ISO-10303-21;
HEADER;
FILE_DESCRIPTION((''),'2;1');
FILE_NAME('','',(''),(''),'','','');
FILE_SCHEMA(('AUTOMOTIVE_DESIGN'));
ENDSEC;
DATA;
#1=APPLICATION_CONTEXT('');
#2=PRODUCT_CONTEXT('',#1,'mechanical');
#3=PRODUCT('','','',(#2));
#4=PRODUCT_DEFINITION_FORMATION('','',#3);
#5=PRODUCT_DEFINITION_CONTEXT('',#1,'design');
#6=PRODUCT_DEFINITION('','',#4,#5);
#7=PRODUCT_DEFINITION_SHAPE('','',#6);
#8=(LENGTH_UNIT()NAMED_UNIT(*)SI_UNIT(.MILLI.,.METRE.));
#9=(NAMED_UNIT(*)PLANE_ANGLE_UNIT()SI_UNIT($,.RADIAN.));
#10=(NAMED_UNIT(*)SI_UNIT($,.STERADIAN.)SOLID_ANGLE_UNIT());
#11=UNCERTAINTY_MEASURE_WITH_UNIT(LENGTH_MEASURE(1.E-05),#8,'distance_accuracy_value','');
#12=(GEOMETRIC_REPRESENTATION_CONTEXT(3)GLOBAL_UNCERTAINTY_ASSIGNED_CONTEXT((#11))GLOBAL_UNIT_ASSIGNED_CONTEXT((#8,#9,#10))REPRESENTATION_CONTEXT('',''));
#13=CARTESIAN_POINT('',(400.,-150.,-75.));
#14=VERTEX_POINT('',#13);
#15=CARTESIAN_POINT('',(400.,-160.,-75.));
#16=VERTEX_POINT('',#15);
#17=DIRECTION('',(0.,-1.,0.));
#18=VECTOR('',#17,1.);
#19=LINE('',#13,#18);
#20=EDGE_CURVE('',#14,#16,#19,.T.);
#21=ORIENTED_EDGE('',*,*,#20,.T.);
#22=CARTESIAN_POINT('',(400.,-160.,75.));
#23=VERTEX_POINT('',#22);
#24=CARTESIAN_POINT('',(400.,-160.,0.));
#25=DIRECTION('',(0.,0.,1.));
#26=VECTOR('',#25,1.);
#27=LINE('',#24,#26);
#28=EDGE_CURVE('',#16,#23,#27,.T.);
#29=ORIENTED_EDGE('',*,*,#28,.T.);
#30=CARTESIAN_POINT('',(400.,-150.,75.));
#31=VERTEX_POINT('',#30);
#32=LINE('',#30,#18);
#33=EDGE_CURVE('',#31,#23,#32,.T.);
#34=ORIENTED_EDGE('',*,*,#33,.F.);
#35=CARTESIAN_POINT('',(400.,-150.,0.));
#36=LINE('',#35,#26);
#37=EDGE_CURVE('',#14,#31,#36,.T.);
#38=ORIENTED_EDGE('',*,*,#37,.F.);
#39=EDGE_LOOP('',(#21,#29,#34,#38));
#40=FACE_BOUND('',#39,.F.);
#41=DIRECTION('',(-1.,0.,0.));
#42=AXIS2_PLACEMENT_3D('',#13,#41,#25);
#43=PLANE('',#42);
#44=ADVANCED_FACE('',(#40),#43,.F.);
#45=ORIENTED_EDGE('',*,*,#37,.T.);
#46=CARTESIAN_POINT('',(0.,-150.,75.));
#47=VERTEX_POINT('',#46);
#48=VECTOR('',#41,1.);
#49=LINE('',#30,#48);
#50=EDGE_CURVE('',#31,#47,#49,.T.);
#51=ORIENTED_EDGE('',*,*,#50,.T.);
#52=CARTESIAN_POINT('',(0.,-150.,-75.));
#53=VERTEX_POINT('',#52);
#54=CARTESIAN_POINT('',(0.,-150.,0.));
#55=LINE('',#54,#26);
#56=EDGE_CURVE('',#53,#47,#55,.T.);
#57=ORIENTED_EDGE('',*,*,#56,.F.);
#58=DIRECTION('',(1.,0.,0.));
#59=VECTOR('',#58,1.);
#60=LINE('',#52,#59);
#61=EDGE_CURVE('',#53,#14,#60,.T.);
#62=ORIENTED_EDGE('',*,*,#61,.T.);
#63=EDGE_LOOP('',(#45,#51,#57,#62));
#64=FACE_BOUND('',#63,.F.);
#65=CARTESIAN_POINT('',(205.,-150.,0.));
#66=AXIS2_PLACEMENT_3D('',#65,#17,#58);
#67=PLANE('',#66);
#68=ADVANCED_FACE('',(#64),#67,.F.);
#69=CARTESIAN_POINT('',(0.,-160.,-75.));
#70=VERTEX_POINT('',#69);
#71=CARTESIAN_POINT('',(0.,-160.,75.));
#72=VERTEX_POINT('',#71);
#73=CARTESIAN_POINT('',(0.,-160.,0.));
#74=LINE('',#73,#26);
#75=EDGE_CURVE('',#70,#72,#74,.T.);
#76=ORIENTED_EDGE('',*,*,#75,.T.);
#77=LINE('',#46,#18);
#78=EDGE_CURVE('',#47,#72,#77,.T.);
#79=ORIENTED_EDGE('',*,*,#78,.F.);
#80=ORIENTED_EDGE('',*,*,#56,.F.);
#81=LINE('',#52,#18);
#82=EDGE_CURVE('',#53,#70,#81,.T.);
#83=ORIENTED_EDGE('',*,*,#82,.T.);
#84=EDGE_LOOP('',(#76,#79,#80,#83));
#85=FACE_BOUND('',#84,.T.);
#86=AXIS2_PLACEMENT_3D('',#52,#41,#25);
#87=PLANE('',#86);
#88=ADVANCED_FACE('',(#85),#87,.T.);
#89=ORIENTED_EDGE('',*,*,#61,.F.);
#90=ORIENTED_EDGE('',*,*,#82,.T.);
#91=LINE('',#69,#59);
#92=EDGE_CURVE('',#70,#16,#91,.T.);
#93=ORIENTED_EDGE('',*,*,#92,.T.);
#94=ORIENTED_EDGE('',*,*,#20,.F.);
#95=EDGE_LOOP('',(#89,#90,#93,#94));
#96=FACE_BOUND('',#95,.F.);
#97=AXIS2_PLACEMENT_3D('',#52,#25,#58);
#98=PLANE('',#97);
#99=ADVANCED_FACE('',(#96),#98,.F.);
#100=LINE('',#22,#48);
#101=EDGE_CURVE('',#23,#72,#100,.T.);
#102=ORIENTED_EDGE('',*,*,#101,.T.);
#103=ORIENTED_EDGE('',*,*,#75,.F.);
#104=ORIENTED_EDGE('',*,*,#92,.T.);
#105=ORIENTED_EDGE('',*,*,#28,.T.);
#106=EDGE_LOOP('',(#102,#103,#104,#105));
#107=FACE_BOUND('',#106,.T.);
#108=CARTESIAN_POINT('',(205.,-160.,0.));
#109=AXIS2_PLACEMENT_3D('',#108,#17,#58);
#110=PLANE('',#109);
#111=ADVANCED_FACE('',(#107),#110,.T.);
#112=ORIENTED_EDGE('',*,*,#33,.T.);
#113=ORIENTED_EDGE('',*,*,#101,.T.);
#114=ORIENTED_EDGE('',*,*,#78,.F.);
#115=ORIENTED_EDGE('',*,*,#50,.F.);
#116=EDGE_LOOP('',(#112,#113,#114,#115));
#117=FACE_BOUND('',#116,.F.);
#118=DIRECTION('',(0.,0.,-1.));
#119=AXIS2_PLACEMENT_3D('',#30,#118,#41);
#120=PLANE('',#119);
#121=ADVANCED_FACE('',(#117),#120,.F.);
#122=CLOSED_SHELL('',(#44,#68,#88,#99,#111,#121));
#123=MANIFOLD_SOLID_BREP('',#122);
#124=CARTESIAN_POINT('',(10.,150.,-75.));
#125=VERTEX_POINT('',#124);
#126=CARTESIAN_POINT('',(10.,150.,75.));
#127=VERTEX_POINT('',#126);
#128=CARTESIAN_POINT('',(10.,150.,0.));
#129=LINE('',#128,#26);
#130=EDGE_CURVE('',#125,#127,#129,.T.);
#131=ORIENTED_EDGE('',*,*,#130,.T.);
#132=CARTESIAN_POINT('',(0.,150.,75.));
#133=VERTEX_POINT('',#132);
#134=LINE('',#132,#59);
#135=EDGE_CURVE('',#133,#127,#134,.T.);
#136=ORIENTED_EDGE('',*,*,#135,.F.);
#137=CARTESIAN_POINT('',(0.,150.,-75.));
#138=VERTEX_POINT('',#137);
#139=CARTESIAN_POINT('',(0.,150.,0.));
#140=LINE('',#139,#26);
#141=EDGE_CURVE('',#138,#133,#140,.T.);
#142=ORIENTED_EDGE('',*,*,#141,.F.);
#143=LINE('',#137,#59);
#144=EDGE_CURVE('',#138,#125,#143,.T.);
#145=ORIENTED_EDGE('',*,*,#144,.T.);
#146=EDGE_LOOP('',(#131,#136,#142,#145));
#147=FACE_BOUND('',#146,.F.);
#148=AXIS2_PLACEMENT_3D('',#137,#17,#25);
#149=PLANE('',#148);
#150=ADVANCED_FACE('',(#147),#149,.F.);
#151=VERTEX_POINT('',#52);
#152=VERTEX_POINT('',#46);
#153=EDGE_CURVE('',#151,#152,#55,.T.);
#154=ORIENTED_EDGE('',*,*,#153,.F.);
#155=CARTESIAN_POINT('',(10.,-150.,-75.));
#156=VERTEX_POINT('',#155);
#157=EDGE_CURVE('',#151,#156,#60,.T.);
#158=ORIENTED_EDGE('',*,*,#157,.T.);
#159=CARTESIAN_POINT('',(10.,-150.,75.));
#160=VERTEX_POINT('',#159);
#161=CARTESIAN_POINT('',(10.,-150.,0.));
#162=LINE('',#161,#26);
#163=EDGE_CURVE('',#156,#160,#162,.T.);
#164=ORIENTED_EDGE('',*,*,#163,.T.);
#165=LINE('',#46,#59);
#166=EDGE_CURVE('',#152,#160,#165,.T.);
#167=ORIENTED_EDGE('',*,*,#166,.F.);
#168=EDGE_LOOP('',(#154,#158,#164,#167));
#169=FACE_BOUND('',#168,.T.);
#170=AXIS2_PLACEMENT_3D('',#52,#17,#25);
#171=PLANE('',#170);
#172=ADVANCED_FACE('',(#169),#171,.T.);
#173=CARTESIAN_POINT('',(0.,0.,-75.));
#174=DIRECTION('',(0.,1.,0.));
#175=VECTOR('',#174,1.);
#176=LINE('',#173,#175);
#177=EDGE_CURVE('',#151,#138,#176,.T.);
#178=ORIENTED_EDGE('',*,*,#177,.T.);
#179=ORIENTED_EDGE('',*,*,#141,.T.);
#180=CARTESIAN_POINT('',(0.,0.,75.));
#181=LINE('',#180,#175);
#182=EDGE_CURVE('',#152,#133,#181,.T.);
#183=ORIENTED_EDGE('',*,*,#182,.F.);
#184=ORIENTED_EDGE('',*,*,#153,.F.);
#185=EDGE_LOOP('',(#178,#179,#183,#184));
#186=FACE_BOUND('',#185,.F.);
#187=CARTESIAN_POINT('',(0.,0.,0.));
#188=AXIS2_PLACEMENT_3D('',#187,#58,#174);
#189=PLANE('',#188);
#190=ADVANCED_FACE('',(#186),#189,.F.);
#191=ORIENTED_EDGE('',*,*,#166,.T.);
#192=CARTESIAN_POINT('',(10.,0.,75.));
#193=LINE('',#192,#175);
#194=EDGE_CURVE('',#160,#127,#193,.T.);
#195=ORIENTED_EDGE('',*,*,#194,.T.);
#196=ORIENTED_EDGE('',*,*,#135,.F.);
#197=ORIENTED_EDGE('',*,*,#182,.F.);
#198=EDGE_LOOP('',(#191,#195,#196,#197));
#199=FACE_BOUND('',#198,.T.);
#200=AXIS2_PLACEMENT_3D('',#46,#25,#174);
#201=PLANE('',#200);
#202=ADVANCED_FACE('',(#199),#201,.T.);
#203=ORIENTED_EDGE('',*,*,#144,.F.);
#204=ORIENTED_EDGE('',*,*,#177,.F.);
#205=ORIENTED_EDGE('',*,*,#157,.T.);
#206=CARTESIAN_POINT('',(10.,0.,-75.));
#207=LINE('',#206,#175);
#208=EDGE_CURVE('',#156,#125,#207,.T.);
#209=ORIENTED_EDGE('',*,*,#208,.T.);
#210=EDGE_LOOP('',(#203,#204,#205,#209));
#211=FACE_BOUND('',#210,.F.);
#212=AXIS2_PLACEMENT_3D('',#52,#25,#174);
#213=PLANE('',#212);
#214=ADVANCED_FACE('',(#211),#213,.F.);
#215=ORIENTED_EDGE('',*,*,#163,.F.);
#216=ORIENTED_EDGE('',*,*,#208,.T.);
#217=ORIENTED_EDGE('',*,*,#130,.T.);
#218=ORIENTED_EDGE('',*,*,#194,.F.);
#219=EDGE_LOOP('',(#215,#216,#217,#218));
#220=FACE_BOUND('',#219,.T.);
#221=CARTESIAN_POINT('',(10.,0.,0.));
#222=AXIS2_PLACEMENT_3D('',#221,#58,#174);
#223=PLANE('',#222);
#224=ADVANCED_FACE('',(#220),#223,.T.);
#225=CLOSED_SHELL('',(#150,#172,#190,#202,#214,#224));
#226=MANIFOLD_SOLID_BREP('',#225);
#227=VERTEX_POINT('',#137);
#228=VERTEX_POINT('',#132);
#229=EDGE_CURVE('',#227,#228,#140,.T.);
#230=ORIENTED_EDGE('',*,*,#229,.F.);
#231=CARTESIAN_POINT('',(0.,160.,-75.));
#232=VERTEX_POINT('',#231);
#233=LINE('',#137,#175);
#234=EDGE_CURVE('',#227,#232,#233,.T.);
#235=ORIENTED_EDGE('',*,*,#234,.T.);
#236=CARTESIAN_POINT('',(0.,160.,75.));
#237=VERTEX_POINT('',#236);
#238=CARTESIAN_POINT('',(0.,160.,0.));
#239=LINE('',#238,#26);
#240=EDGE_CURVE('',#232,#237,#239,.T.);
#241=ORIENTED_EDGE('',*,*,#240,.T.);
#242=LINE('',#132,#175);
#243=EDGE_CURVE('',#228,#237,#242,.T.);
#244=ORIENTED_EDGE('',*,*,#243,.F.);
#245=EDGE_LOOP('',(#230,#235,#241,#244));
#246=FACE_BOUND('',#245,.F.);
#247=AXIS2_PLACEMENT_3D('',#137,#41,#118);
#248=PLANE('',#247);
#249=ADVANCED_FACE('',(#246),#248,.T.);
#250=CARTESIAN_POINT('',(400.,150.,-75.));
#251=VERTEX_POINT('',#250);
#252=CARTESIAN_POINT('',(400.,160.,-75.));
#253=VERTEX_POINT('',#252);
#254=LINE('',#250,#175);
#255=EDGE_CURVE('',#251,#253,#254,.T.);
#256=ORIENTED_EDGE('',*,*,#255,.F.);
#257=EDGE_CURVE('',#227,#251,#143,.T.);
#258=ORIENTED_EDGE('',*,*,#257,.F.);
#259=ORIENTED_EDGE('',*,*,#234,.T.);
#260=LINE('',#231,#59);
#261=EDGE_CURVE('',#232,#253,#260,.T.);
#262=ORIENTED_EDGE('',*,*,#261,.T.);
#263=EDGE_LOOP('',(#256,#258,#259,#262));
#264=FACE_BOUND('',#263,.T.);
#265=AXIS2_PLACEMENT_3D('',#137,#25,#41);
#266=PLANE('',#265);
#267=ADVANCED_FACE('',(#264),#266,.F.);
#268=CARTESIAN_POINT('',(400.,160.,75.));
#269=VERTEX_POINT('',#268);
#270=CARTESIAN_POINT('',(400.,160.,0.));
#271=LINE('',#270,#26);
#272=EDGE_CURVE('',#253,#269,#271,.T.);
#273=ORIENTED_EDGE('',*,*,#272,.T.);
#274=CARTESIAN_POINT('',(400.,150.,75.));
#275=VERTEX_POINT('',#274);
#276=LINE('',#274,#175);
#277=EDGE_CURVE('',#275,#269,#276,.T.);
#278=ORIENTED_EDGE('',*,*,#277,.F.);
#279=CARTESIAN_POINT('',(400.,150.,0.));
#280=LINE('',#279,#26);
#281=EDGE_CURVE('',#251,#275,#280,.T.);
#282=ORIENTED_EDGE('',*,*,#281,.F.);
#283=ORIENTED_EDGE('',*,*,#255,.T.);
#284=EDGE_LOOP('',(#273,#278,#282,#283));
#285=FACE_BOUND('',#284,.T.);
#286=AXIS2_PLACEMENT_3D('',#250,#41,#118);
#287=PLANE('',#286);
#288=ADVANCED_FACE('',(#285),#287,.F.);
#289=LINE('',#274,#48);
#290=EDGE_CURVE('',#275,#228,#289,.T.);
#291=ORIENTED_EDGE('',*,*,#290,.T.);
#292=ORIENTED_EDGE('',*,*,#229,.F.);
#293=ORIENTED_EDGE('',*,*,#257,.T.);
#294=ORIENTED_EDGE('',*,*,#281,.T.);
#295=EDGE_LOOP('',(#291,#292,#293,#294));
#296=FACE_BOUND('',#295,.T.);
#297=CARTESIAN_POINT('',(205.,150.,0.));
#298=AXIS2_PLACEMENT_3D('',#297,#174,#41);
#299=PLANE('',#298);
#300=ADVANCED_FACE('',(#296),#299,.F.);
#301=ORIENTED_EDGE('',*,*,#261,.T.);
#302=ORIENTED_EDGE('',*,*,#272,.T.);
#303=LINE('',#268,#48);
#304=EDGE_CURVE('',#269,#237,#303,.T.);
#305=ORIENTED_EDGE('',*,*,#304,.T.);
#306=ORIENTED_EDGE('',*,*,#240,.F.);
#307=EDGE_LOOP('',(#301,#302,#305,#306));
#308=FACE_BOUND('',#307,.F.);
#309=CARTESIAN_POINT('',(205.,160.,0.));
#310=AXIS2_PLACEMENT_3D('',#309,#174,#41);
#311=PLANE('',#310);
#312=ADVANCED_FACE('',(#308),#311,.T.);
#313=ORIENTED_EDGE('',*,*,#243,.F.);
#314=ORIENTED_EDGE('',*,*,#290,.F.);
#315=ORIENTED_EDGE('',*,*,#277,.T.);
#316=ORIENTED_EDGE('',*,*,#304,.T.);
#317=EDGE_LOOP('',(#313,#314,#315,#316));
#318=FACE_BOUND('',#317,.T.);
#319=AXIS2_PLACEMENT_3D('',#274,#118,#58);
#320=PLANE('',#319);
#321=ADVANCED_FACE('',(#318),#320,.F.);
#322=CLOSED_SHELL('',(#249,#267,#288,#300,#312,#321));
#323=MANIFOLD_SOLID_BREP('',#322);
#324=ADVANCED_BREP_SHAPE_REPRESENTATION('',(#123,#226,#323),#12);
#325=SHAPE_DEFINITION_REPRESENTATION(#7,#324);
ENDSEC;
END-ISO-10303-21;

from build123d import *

# Parameters (mm, degrees)
F0_W     = 300
F0_H     = 150
F1_DEPTH = 10
F2_W     = 390
F2_H     = 150
F2_W_2   = 10
F3_DEPTH = 10


with BuildPart() as f1:
    # F0 (on Right) → F1 (new body)
    with BuildSketch(Plane.YZ):
        Rectangle(F0_W, F0_H)
    extrude(amount=F1_DEPTH)


with BuildPart() as f3:
    # F2 (on face) → F3 (new body)
    with BuildSketch(Plane.XZ.offset(150)):
        with Locations((205, 0)):
            Rectangle(F2_W, F2_H)
        with Locations((5, 0)):
            Rectangle(F2_W_2, F2_H)
    extrude(amount=F3_DEPTH)


with BuildPart() as f4_1:
    # F4: instance of F3
    add(f3.part.mirror(Plane.XZ))


solid = Compound([f1.part, f3.part, f4_1.part])
